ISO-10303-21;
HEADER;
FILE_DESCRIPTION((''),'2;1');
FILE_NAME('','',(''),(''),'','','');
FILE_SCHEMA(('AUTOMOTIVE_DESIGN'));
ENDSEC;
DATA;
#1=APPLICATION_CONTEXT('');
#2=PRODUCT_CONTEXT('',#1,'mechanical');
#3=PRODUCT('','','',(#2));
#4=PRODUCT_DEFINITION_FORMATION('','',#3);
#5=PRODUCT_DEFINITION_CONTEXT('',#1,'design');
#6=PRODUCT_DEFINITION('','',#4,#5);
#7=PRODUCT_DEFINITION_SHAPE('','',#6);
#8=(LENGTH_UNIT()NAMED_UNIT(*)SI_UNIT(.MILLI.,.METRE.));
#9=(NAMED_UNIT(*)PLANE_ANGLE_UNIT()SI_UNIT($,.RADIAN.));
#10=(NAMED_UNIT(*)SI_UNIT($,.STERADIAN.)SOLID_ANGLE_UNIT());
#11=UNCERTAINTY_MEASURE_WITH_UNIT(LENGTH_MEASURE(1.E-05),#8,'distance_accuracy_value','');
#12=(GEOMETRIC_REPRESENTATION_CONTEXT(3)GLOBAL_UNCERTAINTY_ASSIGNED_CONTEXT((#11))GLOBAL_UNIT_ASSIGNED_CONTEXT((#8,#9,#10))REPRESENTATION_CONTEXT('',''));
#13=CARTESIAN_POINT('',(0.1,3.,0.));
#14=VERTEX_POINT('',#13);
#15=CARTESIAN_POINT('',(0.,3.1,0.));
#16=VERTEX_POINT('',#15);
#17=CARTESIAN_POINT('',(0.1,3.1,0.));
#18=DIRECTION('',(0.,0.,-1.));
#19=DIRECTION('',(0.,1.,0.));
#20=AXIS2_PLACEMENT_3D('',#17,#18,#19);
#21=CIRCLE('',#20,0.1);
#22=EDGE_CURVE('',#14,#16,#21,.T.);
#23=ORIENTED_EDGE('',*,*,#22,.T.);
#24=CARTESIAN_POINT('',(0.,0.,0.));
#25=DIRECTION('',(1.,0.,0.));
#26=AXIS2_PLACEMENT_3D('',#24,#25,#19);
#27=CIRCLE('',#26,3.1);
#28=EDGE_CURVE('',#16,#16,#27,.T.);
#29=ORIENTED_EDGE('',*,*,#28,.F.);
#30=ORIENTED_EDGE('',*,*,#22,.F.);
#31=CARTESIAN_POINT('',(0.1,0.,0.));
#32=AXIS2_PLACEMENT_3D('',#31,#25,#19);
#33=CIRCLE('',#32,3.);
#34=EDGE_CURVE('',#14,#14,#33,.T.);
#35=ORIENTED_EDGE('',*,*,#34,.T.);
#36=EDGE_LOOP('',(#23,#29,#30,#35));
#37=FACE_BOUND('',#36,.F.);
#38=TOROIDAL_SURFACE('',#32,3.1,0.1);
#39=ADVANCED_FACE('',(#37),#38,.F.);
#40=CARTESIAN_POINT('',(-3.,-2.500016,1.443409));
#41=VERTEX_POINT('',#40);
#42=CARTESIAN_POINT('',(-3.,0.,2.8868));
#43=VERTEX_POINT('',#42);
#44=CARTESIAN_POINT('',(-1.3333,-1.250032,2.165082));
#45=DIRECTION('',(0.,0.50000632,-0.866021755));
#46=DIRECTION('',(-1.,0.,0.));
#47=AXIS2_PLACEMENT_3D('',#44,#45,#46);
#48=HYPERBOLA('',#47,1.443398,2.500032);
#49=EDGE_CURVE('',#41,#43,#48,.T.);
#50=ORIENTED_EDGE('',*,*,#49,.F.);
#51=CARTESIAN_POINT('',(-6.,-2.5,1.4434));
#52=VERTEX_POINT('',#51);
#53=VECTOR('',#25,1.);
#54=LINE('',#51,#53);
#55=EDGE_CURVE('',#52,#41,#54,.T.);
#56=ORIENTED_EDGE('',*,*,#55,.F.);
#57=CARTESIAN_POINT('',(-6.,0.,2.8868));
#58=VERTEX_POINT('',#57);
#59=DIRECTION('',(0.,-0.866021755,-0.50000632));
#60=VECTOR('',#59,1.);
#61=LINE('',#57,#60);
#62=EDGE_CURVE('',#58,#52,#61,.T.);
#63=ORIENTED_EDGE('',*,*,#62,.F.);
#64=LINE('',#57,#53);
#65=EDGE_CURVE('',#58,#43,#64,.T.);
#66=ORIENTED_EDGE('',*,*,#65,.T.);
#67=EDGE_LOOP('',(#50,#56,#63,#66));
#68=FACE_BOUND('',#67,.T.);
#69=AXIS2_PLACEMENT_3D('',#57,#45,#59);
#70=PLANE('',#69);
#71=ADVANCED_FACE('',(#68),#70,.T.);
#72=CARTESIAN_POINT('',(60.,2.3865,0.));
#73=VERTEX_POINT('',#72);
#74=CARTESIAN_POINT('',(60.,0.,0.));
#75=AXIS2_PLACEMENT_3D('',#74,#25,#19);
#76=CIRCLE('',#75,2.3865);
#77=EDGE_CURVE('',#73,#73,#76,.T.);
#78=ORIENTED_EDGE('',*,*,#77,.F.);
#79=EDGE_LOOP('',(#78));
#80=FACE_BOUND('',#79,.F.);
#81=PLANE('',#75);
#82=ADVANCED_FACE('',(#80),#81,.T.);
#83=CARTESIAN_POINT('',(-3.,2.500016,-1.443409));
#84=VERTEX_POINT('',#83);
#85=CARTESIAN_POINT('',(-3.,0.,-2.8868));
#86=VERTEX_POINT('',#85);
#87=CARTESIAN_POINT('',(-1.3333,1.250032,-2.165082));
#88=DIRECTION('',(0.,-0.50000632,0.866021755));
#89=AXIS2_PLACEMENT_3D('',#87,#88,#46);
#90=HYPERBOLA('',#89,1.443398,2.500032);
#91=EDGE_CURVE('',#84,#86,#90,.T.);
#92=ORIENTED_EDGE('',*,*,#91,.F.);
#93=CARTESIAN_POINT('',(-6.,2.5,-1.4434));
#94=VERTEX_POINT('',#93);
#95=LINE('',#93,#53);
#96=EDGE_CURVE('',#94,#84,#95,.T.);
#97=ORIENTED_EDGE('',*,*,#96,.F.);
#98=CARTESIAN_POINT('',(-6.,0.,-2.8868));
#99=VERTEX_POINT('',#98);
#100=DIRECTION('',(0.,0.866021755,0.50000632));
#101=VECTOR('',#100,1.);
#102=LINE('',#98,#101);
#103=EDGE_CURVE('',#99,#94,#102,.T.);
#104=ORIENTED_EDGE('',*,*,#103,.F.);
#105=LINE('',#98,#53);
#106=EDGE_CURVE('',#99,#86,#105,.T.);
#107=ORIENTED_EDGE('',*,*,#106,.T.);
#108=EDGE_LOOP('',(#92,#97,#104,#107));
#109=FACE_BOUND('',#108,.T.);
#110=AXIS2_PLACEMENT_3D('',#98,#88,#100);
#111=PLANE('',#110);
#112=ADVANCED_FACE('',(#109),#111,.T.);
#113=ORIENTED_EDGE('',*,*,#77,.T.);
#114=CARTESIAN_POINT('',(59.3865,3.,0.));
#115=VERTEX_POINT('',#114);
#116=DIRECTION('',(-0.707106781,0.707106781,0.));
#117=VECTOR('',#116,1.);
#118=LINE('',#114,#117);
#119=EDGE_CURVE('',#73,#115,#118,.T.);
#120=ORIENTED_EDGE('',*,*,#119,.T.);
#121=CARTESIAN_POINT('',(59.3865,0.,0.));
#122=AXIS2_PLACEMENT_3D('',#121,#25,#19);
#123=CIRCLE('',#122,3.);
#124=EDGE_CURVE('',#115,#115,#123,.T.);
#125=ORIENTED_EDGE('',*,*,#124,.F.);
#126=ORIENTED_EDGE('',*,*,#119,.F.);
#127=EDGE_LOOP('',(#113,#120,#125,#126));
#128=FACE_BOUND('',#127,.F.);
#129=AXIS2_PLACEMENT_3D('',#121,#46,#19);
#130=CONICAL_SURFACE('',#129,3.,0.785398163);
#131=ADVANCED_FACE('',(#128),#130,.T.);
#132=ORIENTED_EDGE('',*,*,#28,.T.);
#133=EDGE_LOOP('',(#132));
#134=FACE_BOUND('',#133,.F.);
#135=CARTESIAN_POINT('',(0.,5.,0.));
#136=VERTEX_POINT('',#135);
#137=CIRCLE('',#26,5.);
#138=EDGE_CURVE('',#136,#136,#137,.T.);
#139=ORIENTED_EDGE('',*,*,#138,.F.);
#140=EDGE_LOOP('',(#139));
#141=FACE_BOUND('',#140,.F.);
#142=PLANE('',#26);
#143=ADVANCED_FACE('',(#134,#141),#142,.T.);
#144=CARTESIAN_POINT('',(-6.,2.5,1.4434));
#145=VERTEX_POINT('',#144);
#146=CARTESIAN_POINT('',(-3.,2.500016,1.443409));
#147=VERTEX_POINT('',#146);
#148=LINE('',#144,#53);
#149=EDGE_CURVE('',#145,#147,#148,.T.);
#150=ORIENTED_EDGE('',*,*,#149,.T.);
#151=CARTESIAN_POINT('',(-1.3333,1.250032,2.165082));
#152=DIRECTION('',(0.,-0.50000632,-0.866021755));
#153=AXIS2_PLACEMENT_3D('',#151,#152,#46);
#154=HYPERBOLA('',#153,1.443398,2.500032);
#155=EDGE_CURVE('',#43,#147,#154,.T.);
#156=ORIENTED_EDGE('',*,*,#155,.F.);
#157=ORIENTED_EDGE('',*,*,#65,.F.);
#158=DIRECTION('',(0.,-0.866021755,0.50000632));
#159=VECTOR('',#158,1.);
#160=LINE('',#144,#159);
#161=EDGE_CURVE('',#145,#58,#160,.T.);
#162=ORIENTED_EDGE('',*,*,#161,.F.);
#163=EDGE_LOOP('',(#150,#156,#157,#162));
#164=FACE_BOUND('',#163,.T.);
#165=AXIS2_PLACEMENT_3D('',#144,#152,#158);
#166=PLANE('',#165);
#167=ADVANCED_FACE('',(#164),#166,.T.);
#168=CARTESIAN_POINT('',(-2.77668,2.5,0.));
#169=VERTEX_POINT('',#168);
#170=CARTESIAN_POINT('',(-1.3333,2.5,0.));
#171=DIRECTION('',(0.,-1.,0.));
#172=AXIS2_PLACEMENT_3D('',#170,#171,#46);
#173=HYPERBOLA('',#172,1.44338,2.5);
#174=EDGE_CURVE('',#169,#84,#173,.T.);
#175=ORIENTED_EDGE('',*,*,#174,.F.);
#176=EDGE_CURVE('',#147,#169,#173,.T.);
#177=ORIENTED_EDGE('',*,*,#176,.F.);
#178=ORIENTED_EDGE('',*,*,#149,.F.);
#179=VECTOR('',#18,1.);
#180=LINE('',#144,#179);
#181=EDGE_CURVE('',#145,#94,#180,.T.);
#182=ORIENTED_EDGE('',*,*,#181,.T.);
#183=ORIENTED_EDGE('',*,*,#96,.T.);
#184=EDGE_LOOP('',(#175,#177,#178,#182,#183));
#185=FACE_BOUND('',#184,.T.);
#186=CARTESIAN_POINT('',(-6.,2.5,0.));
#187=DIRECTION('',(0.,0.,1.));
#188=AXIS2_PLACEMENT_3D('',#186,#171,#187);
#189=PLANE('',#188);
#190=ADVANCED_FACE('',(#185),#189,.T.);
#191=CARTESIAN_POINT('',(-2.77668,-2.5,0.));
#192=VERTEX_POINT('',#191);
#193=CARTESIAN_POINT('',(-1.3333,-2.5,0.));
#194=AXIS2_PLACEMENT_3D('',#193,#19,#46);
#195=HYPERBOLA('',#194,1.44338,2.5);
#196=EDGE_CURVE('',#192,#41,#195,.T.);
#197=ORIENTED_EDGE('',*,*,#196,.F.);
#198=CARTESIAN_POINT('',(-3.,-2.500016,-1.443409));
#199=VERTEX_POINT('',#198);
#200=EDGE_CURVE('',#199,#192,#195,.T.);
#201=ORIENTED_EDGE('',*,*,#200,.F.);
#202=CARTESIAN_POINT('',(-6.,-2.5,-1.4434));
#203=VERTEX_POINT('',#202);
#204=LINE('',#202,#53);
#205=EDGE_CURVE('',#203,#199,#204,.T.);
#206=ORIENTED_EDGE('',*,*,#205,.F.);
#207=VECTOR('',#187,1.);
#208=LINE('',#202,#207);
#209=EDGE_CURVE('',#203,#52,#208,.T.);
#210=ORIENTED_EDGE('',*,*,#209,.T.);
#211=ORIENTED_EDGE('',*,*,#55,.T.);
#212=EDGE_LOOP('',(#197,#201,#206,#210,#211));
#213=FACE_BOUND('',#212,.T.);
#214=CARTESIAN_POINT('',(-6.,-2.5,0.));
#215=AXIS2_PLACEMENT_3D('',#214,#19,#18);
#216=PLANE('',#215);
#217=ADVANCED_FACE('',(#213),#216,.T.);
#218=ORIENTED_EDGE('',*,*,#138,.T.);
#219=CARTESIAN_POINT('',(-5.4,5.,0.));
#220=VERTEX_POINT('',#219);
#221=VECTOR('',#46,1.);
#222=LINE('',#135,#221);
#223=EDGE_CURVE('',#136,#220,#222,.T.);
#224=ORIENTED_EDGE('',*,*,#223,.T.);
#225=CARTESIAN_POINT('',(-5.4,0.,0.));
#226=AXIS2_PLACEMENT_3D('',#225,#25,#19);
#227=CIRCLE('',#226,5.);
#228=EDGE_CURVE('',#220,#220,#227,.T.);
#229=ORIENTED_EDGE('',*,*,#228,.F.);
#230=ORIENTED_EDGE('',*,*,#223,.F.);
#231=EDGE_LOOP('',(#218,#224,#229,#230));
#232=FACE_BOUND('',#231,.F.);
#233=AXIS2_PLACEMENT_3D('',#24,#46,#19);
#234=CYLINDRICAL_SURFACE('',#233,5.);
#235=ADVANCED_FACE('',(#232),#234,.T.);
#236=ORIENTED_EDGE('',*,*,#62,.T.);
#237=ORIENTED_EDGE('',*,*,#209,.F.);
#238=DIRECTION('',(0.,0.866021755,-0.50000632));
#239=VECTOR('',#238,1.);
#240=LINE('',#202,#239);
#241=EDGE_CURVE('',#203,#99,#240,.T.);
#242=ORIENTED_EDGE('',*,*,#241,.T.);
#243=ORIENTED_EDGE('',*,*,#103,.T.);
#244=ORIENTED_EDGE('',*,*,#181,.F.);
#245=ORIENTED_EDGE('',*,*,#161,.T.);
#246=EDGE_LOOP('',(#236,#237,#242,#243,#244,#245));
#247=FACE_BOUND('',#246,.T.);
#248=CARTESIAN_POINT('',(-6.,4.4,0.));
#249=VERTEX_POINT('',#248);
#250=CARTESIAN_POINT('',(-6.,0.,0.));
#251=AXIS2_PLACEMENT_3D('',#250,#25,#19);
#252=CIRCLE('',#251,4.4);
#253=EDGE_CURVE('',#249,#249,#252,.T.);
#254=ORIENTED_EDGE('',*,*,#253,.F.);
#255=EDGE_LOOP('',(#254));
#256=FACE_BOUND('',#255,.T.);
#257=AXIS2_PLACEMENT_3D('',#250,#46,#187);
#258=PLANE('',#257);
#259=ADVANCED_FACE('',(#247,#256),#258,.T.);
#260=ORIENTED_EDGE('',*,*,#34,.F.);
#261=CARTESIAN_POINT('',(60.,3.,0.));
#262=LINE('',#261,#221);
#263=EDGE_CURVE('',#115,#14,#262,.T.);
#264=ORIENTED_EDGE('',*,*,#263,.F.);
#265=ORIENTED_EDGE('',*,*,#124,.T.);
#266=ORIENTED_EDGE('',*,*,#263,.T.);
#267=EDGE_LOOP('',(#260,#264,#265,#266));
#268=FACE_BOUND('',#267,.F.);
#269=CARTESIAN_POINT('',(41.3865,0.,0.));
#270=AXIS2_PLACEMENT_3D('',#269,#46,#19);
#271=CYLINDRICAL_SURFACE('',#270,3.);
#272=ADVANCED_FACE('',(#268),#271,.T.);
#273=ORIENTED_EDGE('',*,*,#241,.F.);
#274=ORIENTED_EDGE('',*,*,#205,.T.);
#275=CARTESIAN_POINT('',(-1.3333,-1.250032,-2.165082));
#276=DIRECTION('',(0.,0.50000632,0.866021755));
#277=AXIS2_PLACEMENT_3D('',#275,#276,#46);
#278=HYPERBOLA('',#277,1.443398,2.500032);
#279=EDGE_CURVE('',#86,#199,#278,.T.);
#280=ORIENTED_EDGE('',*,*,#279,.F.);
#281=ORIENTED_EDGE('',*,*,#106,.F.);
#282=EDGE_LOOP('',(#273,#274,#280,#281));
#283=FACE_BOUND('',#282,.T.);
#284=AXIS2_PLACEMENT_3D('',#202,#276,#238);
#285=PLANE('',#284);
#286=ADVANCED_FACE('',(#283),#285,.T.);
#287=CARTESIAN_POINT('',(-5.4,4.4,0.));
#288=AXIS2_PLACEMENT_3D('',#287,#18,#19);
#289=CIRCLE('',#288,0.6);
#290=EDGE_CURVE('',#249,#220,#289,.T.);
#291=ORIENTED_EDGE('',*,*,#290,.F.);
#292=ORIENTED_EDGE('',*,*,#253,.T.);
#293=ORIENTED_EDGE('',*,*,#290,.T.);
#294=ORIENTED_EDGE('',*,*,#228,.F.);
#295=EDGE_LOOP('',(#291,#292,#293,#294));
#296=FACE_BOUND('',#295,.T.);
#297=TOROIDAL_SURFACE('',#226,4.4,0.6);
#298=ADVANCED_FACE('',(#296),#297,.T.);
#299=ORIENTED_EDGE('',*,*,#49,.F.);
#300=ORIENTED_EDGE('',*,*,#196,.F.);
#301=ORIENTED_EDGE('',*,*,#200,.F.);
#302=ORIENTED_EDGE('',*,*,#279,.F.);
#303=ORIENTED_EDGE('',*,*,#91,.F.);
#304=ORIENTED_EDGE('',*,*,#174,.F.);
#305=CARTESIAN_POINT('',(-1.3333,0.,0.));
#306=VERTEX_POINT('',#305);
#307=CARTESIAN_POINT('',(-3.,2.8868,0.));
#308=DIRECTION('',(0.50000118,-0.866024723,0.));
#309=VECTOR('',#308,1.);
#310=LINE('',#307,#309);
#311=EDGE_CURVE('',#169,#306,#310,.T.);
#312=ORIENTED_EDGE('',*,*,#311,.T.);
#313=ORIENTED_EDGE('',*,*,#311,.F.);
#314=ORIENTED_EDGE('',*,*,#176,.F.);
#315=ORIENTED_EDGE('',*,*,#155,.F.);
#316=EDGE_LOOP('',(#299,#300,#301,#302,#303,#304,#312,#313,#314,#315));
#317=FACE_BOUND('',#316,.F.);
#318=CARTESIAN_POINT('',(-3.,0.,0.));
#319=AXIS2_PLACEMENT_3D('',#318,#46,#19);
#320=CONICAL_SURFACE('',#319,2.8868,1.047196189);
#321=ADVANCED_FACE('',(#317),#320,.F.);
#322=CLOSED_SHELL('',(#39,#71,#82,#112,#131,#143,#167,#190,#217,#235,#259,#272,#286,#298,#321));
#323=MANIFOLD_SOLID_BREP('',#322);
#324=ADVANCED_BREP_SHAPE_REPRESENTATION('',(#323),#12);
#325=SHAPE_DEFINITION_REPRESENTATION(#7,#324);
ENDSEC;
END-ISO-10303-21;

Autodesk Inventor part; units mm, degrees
ref_plane "YZ Plane" through (0, 0, 0) normal (1, 0, 0) x (0, 1, 0)
ref_plane "XZ Plane" through (0, 0, 0) normal (0, 1, 0) x (-1, 0, 0)
sketch "Sketch1" plane through (0, 0, 0) normal (0, 0, 1) x (1, 0, 0)
  line L0 (-1.3333, 0) -> (60, 0)
  line L1 (60, 0) -> (60, 3)
  line L2 (60, 3) -> (42, 3)
  line L3 (42, 3) -> (41.3865, 3)
  line L4 (41.3865, 3) -> (0, 3)
  line L5 (0, 3) -> (0, 5)
  line L6 (0, 5) -> (-6, 5)
  line L7 (-6, 5) -> (-6, 2.8868)
  line L8 (-6, 2.8868) -> (-3, 2.8868)
  line L9 (-3, 2.8868) -> (-1.3333, 0)
  line L10 (-19.2, 0) -> (73.2, 0) projected
  line L11 (0, -1) -> (0, 6) projected
  line L12 (42, 3) -> (0, 3) construction
  dimension "d1" = 18
  dimension "d2" = 0.6136
  dimension "d3" = 6
  dimension "d4" = 3
  dimension "d5" = 60
  dimension "d6" = 6
  dimension "d7" = 6
  dimension "d8" = 5.7735
  dimension "d9" = 10
  dimension "d26" = 60
revolve "Body" add sketch "Sketch1" angle 360 about axis through (-1.3333, 0, 0) along (1, 0, 0)
sketch "Sketch2" plane through (-6, 0, 0) normal (-1, 0, 0) x (0, 0, 1)
  circle A0 centre (0, 0) radius 2.8868 projected
  line L0 (0, -7) -> (0, 7) projected
  line L1 (-7, 0) -> (7, 0) projected
  line L2 (2.8868, 0) -> (1.4434, -2.5)
  line L3 (1.4434, -2.5) -> (-1.4434, -2.5)
  line L4 (-1.4434, -2.5) -> (-2.8868, 0)
  line L5 (-2.8868, 0) -> (-1.4434, 2.5)
  line L6 (-1.4434, 2.5) -> (1.4434, 2.5)
  line L7 (1.4434, 2.5) -> (2.8868, 0)
extrude "Slot" add sketch "Sketch2" against normal up to next contours L7 A0 | A0 L2 | L6 L0 A0 | A0 L0 L3 | L0 L6 A0 | A0 L3 L0 | L4 A0 | A0 L5
fillet "Fillet1" radius 0.6 1 edges at (-6, -5, 0)
thread "Thread" size "M6x1" class "6g" standard "ISO Metric profile" length 18
chamfer "Chamfer1" distance 0.6135 distance2 0.6135 1 edges at (60, -3, 0) measured on face at (60, 1.5134, 0.7943)
ref_plane "Work Plane1" through (29, 0, 0) normal (0, -1, 0) x (1, 0, 0)
fillet "Fillet2" radius 0.1 1 edges at (0, -3, 0)
equation "\"d1\" = GEL"
equation "\"d3\" = KOH"
equation "\"d4\" = INTI"
equation "\"d6\" = GD"
equation "\"d7\" = BDM"
equation "\"d8\" = 1.1547 * SW"
equation "\"d9\" = KOD"
equation "\"d26\" = NLG"
equation "\"d30\" = R"
equation "\"d17\" = RR"
equation "\"d13\" = GEL"
equation "\"d15\" = -0.5 * SPD + 0.5 * GD"
equation "\"d16\" = GUL"
equation "\"GD\" = NND"
equation "\"NLG\" = 60"
equation "\"GEL\" = 18"
equation "\"KOD\" = 10"
equation "\"KOH\" = NND"
equation "\"INTI\" = 3"
equation "\"GAL\" = 0.61345 * PTC"
equation "\"GUL\" = 0.61345 * PTC"
equation "\"BDM\" = NND"
equation "\"SW\" = 5"
equation "\"RR\" = 0.1 * NND"
equation "\"SPD\" = NND - 1.2269 * PTC"
equation "\"R\" = 0.1"
equation "\"PHH\" = 0.2"
equation "\"GD1\" = THREADDIA - 1.2269 * PTC"
equation "\"THREADDIA\" = 6"
equation "\"FAWI\" = 45deg"
equation "\"PTC\" = 1"
equation "\"KOH1\" = 5.4"
equation "\"NND\" = 6"
equation "\"TOA\" = 30deg"
equation "\"E0\" = 1.155 * SW"
properties part number "AS 1420 - 1973 - M6 x 60" material "Steel, Mild"
